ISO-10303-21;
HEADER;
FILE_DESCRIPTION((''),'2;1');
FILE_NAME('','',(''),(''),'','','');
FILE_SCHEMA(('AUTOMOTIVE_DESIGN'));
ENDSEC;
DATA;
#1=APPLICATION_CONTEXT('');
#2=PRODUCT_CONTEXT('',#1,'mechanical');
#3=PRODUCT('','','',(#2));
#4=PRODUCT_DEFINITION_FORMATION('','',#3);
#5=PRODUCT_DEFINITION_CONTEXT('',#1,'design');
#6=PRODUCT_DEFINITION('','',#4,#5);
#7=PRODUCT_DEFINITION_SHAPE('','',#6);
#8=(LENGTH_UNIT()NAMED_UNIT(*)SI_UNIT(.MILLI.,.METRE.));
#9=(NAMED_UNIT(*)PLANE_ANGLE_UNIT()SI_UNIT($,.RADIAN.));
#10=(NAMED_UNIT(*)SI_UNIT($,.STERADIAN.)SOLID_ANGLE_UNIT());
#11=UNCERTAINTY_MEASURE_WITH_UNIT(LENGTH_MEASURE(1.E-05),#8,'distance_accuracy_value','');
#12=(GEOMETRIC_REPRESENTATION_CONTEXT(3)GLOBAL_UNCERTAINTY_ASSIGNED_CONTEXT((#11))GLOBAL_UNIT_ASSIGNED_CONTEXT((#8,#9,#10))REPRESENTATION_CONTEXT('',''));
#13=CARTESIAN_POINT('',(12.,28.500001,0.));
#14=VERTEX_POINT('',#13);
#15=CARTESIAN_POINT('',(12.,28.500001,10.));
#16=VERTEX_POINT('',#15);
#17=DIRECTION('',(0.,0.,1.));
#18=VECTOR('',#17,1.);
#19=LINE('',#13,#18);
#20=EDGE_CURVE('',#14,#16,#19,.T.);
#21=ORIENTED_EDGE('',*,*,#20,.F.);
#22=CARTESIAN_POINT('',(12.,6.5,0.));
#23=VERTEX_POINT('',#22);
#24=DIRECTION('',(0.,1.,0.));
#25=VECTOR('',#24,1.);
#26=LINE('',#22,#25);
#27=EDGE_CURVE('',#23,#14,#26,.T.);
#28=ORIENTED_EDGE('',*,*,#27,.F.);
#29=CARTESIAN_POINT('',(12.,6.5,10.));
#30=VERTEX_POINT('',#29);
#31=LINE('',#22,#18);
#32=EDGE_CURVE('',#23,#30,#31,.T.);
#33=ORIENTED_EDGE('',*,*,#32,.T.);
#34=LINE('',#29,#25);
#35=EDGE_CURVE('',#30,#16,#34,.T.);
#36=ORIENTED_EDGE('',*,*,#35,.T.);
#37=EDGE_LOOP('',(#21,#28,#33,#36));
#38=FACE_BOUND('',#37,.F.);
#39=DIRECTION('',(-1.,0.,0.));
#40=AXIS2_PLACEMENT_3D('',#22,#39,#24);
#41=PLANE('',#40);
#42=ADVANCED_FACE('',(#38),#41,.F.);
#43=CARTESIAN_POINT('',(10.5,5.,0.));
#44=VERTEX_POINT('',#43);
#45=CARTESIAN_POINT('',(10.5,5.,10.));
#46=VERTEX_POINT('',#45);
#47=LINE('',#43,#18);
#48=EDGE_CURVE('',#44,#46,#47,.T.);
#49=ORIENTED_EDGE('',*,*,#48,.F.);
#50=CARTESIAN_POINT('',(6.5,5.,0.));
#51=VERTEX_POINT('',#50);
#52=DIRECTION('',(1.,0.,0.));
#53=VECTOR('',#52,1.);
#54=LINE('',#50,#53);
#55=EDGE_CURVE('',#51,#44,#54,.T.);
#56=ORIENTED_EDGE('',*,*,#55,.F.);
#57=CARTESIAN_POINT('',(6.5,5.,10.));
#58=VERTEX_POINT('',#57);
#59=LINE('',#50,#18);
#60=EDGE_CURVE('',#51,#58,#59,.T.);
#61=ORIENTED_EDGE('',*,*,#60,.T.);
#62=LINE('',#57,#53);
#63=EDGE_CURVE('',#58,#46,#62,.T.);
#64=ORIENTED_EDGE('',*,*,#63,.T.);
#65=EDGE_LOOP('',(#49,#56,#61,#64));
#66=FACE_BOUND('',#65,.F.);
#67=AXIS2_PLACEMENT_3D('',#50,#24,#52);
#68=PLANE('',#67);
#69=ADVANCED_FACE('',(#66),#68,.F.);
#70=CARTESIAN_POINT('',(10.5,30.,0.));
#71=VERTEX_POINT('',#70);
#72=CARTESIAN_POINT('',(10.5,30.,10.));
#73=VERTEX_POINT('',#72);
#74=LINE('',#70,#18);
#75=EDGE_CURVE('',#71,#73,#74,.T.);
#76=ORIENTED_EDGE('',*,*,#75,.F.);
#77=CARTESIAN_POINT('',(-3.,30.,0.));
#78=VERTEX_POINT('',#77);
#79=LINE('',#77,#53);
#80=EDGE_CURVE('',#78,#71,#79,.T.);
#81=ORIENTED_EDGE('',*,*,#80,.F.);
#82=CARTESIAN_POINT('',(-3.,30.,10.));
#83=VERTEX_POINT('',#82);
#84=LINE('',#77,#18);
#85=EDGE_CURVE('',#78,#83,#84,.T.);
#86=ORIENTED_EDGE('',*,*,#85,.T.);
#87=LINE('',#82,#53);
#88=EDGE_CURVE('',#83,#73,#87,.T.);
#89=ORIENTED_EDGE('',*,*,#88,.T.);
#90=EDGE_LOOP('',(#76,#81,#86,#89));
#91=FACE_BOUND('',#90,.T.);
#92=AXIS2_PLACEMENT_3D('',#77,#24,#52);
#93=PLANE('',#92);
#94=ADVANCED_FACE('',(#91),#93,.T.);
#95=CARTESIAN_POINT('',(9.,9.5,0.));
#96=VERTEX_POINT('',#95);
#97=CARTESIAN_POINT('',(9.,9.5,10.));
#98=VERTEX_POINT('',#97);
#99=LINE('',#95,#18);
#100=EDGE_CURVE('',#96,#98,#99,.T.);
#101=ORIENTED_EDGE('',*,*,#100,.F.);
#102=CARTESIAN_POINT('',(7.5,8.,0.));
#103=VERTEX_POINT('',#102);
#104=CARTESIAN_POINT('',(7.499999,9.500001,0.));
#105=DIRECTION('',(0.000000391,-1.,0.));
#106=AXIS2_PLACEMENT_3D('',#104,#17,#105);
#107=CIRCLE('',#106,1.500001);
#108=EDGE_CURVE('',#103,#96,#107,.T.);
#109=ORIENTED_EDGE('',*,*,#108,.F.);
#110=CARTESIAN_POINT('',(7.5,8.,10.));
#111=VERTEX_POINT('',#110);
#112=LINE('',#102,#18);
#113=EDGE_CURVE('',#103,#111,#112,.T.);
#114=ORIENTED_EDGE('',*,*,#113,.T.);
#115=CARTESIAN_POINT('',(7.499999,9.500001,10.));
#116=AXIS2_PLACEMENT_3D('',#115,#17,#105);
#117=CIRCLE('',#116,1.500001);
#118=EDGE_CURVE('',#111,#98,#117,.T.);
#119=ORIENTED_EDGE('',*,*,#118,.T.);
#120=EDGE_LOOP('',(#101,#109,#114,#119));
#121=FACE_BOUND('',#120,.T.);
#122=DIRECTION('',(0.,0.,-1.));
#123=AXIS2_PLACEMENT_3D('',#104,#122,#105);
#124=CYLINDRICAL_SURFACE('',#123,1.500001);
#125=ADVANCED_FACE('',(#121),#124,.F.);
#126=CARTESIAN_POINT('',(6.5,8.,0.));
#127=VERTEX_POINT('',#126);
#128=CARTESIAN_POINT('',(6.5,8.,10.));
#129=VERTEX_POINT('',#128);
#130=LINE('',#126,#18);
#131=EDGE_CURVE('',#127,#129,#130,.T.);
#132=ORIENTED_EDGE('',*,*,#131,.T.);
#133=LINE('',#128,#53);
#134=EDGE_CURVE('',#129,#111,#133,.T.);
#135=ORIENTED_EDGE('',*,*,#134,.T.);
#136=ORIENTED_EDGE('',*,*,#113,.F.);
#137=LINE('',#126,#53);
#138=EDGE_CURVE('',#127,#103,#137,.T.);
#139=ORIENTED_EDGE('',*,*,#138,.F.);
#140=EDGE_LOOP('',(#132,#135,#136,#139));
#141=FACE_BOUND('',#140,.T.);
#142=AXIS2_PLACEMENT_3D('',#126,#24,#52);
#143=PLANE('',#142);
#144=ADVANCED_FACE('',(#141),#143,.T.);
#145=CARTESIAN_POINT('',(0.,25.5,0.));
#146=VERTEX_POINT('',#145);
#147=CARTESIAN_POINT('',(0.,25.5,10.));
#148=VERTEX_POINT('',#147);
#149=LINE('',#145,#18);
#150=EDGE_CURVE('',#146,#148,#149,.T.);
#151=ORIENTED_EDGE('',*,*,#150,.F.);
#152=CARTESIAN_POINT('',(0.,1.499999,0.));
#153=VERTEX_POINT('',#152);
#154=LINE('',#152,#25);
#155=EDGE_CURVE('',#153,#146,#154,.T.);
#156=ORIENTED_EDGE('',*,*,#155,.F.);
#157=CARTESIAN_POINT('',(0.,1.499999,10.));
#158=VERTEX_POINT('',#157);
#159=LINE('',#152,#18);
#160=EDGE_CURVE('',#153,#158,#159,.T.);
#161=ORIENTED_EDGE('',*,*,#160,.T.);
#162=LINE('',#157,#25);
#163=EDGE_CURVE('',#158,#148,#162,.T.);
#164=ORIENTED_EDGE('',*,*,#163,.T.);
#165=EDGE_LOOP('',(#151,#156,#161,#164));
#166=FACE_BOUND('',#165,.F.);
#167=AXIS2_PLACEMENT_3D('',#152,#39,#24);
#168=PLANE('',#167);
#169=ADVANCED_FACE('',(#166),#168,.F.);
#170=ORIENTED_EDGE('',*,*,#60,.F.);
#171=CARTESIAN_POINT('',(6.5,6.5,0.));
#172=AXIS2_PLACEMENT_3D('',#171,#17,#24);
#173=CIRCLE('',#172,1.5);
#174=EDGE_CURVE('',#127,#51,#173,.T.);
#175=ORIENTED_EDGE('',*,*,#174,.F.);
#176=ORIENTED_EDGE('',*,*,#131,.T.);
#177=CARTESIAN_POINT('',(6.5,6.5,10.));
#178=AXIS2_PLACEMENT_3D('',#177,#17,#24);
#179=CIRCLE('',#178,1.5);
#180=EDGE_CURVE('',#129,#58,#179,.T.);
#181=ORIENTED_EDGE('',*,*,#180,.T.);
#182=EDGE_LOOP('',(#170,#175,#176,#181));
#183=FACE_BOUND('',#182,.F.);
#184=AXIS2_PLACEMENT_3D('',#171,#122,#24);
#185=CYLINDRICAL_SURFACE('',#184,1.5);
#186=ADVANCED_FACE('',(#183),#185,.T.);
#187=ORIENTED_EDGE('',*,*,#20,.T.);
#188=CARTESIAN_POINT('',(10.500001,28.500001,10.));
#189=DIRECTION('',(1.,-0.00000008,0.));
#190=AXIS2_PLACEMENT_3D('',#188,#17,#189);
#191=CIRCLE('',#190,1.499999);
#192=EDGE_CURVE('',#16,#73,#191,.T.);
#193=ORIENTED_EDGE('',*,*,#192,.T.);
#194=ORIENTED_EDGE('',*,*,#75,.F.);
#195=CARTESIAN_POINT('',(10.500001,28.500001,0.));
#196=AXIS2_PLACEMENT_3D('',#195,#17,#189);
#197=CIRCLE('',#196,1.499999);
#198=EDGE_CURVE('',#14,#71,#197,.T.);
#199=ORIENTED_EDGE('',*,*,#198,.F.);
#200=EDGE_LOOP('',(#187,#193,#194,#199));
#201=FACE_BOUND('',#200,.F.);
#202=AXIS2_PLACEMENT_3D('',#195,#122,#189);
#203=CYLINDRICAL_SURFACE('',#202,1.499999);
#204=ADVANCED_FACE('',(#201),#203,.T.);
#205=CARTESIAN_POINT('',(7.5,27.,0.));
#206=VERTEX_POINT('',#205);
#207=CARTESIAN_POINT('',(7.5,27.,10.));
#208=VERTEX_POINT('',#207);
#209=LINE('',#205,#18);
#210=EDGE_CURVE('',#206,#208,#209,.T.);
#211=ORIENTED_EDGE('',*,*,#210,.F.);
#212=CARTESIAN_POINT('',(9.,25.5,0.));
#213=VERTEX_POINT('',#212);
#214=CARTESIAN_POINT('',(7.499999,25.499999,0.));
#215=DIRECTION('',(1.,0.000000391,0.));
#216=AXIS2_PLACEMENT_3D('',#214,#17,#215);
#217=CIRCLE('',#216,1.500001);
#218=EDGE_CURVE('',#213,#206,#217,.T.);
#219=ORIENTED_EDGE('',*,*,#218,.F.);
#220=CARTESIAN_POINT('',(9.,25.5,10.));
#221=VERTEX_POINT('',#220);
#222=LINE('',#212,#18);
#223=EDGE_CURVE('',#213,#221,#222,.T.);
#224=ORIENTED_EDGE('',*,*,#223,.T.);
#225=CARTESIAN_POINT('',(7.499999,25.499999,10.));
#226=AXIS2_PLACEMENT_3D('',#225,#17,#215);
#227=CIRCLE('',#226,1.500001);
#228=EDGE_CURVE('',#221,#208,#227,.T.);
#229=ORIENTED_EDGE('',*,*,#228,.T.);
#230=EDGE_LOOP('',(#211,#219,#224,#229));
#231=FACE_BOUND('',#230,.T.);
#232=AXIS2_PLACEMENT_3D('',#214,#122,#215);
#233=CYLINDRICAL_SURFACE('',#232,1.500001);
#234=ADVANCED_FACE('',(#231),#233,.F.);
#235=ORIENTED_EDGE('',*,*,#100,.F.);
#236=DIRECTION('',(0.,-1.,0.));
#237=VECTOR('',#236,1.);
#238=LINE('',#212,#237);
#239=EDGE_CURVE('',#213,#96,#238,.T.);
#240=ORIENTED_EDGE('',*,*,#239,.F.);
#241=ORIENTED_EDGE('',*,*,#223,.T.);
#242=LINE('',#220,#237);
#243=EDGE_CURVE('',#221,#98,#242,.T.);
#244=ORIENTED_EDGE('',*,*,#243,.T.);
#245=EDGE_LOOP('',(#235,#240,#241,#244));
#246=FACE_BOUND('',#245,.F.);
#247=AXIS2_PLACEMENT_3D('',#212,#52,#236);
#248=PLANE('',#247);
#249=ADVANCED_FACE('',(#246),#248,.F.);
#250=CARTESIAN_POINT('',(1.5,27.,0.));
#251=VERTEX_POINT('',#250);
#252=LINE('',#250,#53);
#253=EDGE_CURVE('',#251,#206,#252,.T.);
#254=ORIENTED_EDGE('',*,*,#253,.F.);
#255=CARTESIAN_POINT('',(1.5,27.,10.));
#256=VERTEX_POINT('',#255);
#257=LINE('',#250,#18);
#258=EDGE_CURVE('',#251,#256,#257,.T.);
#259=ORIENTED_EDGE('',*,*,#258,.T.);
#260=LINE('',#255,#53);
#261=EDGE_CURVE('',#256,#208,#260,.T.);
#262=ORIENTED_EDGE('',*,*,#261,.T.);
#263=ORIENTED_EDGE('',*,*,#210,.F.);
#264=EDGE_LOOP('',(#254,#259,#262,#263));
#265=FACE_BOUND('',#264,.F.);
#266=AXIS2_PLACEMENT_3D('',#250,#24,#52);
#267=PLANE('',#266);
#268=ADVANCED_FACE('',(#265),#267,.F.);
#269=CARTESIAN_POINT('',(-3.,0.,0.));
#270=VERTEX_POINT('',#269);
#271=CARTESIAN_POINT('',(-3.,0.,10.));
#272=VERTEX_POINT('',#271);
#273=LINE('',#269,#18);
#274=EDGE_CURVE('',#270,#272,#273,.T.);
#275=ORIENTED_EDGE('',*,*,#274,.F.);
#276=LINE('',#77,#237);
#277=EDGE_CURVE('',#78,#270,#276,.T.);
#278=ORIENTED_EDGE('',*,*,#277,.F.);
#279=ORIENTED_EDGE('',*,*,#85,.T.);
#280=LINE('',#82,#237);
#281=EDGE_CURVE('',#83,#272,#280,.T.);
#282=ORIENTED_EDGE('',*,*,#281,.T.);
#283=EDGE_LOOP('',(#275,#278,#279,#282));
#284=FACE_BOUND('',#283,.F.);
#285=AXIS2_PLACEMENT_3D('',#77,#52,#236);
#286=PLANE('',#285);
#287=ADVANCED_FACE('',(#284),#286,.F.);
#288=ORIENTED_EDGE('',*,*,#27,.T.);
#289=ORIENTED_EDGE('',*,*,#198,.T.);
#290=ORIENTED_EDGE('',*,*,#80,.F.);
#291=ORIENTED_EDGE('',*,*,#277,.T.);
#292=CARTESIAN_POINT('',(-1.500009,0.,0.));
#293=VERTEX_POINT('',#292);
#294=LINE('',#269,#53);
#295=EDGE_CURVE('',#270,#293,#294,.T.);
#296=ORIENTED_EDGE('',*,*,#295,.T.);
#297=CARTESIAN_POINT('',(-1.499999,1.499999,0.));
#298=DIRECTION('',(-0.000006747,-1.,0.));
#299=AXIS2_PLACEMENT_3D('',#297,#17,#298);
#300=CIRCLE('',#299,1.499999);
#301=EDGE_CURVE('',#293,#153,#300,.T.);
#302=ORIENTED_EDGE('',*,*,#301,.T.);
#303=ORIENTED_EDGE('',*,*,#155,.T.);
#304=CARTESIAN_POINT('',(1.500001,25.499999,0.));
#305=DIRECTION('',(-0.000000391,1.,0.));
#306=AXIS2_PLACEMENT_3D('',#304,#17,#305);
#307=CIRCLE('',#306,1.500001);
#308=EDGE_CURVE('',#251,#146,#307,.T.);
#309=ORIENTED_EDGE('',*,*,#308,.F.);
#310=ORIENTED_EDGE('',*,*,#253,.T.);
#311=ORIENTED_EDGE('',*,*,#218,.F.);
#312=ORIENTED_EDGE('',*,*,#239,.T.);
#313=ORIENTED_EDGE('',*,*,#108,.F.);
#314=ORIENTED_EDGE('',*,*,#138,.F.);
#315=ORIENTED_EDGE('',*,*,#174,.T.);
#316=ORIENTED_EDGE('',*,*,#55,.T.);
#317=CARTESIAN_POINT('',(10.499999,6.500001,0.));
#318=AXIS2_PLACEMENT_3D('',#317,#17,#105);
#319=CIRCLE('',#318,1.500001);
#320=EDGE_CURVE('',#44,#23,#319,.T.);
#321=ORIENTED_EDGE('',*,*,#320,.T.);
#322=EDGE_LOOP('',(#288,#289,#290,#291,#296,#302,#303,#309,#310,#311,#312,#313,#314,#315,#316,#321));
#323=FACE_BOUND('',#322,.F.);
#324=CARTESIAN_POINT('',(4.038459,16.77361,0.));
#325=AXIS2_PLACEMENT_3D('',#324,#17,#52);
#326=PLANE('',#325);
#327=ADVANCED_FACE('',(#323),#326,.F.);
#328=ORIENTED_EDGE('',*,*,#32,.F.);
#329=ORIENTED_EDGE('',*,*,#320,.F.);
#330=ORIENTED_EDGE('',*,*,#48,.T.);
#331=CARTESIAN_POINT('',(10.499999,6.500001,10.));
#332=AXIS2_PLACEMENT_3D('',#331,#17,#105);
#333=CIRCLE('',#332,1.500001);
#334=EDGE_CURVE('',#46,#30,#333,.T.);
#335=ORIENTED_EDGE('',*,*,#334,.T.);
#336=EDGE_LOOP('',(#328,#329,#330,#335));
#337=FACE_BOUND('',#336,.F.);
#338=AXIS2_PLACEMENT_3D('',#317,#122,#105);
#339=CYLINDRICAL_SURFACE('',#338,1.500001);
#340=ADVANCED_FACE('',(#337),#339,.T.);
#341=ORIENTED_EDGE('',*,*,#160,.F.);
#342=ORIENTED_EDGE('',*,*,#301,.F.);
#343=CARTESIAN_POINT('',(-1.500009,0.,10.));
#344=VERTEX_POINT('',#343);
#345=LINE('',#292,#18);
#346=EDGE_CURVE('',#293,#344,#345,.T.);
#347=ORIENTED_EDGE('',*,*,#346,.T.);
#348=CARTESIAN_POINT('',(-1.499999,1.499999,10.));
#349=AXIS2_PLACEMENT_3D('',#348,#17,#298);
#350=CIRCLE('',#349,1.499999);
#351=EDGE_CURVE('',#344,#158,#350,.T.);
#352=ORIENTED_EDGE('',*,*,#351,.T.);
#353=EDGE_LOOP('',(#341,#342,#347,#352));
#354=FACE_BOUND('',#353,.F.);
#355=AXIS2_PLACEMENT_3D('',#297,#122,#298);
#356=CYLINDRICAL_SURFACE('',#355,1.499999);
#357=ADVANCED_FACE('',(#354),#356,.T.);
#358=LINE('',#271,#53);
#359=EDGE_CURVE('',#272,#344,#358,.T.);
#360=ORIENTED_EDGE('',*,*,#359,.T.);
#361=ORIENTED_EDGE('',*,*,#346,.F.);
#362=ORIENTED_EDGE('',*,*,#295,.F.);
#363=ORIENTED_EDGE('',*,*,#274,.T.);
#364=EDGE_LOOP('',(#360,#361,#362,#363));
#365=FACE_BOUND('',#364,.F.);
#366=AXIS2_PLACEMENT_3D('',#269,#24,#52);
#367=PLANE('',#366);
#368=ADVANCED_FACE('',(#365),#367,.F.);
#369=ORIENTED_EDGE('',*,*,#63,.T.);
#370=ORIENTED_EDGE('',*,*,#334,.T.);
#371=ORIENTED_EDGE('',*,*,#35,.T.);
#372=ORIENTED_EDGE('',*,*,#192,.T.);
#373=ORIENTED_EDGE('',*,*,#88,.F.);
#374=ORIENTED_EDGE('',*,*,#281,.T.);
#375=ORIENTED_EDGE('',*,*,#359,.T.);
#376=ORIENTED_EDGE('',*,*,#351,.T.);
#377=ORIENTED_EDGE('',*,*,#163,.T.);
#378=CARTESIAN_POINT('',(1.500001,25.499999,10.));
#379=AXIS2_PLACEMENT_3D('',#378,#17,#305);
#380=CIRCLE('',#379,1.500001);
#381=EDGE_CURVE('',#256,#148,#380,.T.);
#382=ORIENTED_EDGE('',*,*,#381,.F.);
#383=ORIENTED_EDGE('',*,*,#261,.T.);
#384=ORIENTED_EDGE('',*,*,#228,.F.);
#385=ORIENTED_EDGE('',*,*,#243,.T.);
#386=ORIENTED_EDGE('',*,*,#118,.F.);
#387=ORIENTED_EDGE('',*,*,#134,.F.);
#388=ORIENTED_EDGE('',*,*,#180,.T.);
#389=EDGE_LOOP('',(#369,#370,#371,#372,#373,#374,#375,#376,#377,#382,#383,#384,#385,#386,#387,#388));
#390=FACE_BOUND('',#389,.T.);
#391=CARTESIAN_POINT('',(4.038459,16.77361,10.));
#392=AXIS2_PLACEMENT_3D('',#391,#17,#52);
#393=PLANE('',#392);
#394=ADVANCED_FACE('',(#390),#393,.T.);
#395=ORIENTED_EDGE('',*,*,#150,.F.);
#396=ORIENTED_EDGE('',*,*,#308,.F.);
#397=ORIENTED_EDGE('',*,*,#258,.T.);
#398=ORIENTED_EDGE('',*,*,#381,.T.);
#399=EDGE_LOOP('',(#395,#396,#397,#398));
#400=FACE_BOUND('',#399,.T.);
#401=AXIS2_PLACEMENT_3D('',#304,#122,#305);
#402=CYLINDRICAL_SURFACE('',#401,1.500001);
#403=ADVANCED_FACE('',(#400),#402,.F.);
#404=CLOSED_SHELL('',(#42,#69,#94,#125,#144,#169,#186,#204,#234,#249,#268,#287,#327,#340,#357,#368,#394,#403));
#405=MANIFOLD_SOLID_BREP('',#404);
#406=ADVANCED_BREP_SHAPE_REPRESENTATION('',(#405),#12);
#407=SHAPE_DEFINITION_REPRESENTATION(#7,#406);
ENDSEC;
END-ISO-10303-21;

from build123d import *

# Parameters (mm, degrees)
PAD_DEPTH = 10


with BuildPart() as part:
    # Sketch → Pad (new body)
    with BuildSketch(Plane.XY):
        with BuildLine():
            Line((-3, 30), (-3, 0))
            Line((-3, 0), (-1.500009, 0))
            ThreePointArc((-1.500009, 0), (-0.439343, 0.439336), (0, 1.499999))
            Line((0, 1.499999), (0, 25.5))
            ThreePointArc((1.5, 27), (0.43934, 26.56066), (0, 25.5))
            Line((1.5, 27), (7.5, 27))
            ThreePointArc((9, 25.5), (8.56066, 26.56066), (7.5, 27))
            Line((9, 25.5), (9, 9.5))
            ThreePointArc((7.5, 8), (8.56066, 8.43934), (9, 9.5))
            Line((6.5, 8), (7.5, 8))
            ThreePointArc((6.5, 8), (5, 6.5), (6.5, 5))
            Line((6.5, 5), (10.5, 5))
            ThreePointArc((10.5, 5), (11.56066, 5.43934), (12, 6.5))
            Line((12, 6.5), (12, 28.500001))
            ThreePointArc((12, 28.500001), (11.56066, 29.560661), (10.5, 30))
            Line((-3, 30), (10.5, 30))
        make_face()
    extrude(amount=PAD_DEPTH)


solid = part.part
